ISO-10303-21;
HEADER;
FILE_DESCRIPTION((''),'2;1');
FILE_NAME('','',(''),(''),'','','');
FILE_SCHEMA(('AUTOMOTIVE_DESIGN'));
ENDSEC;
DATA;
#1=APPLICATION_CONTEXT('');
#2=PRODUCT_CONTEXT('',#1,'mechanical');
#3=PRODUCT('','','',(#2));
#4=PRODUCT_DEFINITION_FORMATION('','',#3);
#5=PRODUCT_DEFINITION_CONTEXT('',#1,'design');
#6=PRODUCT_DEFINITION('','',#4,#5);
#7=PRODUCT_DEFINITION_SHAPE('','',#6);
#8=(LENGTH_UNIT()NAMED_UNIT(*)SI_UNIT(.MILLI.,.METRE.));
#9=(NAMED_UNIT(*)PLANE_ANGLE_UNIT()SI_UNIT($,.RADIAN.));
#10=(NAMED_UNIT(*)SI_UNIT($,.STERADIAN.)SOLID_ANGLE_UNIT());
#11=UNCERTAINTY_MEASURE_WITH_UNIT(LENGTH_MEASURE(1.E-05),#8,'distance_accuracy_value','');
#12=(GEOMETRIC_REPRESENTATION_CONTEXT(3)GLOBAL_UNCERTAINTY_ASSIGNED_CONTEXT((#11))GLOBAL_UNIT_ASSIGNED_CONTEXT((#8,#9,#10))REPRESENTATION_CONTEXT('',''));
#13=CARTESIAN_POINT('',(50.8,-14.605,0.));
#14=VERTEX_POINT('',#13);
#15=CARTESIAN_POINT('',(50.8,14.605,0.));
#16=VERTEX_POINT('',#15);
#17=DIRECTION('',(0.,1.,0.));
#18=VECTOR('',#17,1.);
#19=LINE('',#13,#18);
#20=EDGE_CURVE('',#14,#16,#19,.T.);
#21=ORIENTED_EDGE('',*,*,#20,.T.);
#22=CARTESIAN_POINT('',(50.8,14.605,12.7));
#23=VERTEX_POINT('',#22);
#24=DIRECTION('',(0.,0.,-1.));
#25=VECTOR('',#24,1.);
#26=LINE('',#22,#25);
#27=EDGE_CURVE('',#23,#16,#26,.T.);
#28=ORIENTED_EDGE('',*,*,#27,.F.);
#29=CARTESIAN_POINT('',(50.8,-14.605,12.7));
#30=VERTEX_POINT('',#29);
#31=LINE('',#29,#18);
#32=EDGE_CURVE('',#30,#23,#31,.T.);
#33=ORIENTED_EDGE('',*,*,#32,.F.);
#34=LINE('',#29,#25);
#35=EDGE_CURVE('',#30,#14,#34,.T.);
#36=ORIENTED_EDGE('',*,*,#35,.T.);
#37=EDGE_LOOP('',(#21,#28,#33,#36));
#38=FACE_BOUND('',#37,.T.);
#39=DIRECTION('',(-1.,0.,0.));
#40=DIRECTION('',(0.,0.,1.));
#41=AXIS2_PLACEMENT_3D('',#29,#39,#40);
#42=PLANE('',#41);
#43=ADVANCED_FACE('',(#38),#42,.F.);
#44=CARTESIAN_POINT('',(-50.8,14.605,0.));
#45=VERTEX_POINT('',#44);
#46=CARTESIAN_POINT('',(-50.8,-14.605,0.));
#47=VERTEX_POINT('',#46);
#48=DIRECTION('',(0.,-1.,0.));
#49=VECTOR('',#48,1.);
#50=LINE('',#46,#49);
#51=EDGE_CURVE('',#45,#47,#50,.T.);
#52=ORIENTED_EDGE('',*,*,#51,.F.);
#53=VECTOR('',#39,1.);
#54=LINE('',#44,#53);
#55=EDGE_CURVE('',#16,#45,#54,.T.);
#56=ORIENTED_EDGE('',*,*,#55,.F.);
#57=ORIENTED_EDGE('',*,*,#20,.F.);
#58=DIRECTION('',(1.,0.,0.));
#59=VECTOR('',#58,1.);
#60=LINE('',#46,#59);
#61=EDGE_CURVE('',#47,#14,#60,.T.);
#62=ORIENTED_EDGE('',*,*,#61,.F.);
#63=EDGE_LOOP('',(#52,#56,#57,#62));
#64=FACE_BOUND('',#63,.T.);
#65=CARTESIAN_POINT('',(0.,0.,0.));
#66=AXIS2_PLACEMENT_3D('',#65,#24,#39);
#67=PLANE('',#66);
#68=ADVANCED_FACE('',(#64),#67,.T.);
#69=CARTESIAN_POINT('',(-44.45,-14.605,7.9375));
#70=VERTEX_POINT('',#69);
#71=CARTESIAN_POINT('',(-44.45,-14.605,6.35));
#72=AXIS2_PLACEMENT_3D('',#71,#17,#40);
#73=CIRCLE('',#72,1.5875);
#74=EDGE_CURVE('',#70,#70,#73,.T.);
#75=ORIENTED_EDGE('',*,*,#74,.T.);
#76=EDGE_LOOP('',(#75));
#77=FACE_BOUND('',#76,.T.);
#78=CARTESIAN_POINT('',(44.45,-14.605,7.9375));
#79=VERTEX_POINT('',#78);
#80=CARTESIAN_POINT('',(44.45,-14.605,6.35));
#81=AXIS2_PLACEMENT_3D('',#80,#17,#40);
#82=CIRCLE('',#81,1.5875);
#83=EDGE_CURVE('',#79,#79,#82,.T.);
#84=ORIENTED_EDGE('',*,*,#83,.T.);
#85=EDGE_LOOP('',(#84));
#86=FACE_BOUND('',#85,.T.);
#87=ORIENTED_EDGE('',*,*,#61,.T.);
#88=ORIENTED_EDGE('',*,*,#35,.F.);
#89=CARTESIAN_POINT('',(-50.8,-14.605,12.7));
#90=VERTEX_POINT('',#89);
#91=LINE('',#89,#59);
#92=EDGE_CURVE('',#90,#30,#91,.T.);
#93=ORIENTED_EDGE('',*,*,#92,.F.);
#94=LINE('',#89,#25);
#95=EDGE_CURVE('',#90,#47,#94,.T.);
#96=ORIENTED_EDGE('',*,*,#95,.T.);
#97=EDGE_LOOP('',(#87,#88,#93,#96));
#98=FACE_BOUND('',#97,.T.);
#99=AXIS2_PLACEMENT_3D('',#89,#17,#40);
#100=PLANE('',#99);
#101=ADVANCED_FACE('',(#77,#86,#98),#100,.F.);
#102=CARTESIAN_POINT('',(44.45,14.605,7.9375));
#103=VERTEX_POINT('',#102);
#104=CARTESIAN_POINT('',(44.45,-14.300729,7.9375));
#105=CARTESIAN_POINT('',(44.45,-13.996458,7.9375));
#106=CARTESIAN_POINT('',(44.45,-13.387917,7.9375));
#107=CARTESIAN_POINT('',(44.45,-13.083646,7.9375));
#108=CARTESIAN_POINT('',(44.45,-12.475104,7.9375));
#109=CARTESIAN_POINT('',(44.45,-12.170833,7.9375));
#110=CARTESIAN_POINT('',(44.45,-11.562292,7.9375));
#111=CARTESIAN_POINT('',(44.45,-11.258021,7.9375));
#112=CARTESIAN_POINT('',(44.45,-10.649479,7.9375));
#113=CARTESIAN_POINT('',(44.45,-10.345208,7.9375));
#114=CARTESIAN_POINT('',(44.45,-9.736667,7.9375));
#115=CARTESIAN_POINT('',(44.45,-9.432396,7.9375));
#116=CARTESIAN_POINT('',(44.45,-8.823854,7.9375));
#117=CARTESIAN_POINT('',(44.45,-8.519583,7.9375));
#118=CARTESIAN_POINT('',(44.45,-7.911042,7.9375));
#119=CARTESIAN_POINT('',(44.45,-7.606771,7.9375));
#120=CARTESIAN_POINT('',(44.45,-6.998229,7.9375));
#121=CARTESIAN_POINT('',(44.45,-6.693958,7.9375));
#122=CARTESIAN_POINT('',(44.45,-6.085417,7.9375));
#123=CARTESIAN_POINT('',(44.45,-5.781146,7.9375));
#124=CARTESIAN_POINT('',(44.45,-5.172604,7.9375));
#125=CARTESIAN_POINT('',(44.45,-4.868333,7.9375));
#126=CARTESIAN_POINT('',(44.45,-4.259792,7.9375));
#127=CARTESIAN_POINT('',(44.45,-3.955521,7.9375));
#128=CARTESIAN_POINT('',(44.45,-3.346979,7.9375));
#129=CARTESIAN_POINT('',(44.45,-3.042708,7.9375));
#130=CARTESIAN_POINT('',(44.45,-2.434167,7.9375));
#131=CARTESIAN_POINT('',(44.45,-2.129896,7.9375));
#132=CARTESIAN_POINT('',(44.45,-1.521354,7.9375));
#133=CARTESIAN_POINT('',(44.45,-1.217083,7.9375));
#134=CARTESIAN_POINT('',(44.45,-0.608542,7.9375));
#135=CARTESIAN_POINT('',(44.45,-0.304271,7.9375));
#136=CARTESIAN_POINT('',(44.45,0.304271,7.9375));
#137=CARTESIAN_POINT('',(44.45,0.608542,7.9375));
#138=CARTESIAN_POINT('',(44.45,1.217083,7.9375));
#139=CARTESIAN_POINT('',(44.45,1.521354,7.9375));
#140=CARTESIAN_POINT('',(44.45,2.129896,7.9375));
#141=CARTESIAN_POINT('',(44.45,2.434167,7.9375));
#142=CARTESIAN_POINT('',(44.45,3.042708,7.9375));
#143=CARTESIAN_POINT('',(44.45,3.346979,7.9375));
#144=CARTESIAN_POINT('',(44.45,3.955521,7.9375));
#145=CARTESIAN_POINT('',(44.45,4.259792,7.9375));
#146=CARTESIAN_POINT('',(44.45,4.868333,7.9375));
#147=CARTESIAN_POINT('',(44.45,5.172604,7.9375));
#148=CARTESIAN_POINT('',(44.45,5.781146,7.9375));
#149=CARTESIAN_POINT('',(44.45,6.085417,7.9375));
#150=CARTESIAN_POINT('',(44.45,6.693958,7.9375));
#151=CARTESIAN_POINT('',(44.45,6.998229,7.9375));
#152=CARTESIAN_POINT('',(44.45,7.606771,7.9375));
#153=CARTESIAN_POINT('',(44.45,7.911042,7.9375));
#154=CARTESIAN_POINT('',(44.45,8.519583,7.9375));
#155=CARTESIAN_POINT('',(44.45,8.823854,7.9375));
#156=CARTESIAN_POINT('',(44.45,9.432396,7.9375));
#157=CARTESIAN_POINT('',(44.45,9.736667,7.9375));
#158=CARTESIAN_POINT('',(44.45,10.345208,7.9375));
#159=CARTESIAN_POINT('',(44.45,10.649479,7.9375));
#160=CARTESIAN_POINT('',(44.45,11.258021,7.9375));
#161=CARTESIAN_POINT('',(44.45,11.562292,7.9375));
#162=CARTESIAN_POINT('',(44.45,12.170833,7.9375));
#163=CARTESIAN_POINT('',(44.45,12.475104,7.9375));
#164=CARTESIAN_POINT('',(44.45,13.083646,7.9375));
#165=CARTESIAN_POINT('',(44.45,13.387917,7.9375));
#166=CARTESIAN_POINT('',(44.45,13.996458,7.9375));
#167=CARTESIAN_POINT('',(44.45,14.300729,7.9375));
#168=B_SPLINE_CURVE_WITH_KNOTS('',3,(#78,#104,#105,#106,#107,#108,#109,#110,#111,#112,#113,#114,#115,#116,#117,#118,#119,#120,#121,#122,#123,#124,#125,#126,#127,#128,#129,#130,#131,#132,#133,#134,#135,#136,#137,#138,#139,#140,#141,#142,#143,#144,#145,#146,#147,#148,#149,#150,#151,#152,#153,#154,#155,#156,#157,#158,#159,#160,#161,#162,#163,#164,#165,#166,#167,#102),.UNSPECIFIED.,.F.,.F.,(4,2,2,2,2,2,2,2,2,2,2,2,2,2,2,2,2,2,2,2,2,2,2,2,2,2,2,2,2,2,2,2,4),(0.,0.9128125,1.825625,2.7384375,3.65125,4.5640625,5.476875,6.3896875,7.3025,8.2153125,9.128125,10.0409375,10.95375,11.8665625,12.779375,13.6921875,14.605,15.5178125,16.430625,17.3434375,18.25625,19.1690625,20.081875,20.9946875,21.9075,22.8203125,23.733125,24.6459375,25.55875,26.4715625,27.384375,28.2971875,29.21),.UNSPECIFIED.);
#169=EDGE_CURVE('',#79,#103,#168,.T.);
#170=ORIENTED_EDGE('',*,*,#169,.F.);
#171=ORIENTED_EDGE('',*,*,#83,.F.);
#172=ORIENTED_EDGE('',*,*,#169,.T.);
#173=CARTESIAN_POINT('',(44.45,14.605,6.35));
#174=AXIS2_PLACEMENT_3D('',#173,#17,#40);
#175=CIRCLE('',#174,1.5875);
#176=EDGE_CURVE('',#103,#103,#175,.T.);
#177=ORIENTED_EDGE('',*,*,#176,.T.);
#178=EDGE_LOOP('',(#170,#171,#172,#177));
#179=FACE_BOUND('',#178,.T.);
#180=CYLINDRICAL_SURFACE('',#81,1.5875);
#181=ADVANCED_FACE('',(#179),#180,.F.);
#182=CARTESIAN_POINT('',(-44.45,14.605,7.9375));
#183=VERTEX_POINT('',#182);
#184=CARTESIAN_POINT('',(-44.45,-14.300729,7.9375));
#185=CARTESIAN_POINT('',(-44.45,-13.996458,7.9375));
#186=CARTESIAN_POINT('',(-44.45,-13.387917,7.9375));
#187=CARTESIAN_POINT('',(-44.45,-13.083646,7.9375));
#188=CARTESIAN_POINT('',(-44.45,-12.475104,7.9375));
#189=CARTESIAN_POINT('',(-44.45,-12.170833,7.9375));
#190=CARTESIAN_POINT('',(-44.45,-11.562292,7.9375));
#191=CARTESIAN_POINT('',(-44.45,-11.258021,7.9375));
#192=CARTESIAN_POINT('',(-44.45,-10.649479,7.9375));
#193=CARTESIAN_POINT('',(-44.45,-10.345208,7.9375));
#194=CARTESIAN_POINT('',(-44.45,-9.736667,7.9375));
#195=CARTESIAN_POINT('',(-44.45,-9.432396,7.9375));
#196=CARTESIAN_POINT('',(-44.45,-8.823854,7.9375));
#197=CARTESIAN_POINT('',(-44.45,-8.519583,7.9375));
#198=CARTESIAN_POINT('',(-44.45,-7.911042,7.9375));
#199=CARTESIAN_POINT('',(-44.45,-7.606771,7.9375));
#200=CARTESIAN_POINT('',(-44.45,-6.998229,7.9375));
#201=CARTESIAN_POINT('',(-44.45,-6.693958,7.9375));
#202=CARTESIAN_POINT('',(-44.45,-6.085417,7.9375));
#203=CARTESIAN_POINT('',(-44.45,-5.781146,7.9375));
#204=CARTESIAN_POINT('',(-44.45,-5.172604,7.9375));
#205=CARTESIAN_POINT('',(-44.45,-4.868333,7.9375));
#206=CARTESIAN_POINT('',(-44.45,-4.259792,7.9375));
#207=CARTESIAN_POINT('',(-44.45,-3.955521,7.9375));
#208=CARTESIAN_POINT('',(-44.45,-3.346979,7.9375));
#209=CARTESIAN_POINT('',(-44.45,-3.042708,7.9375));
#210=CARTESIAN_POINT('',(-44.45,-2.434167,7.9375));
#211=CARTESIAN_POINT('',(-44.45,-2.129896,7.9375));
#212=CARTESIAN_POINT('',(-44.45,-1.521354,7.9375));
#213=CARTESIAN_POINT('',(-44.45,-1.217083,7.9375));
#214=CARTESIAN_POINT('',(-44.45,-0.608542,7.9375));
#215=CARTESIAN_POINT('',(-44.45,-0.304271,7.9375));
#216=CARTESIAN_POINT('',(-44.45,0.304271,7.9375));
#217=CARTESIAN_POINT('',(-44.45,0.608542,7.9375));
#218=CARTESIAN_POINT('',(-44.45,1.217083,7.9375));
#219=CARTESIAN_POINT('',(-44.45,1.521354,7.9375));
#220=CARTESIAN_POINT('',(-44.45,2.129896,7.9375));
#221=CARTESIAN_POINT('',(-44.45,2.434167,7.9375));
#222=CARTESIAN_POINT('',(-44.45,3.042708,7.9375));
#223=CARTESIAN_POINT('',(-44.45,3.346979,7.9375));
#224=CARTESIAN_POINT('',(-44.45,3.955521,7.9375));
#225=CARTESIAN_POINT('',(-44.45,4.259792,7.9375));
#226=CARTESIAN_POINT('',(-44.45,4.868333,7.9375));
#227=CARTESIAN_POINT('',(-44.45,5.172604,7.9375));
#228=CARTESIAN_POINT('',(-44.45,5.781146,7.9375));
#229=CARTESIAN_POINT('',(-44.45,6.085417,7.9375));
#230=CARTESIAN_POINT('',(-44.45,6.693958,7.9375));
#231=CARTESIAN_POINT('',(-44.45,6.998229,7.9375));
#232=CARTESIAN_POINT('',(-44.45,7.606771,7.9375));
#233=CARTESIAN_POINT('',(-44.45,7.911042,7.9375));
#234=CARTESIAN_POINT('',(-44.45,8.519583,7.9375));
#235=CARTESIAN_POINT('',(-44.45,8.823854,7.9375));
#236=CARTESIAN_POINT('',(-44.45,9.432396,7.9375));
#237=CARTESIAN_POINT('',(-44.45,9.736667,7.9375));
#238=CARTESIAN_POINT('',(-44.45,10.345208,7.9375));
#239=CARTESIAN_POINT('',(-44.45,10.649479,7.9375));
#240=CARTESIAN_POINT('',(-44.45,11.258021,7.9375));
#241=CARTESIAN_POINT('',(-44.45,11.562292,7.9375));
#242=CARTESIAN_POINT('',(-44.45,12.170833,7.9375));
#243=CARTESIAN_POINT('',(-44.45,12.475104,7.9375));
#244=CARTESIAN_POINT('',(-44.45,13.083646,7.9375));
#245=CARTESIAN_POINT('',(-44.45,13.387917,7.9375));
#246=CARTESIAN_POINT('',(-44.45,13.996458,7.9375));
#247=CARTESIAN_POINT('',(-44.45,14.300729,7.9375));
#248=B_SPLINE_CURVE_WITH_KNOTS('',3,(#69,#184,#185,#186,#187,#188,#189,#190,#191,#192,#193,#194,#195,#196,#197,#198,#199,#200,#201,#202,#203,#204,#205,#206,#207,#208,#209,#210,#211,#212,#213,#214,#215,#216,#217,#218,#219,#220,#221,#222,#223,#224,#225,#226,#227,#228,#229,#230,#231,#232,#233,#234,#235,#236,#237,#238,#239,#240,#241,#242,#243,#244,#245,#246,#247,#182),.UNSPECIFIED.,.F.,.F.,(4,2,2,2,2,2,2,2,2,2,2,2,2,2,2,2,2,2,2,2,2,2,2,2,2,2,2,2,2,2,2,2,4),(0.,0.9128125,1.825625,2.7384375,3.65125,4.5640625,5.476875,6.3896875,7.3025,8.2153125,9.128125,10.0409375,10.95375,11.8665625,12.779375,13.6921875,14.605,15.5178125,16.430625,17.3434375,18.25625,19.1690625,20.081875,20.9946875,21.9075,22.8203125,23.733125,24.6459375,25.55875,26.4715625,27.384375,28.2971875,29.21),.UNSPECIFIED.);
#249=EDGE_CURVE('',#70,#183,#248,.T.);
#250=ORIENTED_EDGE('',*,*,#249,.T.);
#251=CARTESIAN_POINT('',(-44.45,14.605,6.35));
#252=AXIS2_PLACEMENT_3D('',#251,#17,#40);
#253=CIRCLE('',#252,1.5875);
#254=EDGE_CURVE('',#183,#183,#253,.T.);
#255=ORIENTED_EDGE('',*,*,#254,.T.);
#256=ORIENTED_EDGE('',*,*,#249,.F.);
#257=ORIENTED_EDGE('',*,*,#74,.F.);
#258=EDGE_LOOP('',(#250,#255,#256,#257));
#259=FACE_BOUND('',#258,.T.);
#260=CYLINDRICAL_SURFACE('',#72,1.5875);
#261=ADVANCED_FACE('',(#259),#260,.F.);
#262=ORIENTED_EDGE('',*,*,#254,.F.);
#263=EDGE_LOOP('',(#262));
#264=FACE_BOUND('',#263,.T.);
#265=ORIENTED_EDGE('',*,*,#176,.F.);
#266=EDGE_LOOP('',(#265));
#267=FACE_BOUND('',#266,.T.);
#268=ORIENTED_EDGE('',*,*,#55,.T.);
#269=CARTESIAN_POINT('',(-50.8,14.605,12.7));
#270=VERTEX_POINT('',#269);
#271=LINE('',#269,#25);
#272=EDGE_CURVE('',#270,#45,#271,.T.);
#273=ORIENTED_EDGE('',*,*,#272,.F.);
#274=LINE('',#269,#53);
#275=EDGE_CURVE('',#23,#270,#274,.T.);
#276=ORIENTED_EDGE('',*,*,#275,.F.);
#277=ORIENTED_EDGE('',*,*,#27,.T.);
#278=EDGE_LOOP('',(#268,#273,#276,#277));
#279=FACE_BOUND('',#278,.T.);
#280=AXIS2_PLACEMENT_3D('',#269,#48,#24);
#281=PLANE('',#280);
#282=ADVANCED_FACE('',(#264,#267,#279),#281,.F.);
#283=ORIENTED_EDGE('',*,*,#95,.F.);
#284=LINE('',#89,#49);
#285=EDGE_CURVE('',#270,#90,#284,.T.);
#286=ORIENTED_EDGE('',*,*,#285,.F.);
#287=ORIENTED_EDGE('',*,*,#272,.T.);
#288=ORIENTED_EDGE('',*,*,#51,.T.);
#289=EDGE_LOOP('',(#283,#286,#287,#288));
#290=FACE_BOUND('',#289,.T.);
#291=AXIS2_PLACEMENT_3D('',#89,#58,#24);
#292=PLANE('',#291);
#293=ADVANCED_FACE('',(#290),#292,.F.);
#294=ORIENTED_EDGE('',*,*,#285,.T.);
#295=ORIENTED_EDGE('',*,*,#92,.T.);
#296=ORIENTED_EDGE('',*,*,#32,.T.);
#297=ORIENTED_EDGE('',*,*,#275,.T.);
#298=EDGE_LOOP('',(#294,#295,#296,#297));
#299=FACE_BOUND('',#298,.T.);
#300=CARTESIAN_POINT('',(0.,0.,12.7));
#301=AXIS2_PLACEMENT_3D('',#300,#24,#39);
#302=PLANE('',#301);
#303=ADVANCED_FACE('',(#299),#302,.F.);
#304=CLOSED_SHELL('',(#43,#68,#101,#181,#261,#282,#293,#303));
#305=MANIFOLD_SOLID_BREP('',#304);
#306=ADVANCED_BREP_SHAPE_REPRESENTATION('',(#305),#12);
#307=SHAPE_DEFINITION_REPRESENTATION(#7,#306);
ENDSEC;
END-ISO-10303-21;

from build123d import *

# Parameters (mm, degrees)
SKETCH1_W           = 101.6
SKETCH1_H           = 29.21
BOSS_EXTRUDE1_DEPTH = 12.7
SKETCH2_R           = 1.5875
CUT_EXTRUDE1_DEPTH  = 60.959603901


with BuildPart() as part:
    # Sketch1 → Boss-Extrude1 (new body)
    with BuildSketch(Plane.XY):
        Rectangle(SKETCH1_W, SKETCH1_H)
    extrude(amount=BOSS_EXTRUDE1_DEPTH)

    # Sketch2 → Cut-Extrude1 (cut, through all)
    with BuildSketch(Plane(origin=(0, 14.605, 0), x_dir=(1, 0, 0), z_dir=(0, 1, 0))):
        with Locations(Location((-44.45, -6.35, 0), (0, 0, 270))):
            Circle(SKETCH2_R)
        with Locations(Location((44.45, -6.35, 0), (0, 0, 270))):
            Circle(SKETCH2_R)
    extrude(amount=-CUT_EXTRUDE1_DEPTH, mode=Mode.SUBTRACT)


solid = part.part
